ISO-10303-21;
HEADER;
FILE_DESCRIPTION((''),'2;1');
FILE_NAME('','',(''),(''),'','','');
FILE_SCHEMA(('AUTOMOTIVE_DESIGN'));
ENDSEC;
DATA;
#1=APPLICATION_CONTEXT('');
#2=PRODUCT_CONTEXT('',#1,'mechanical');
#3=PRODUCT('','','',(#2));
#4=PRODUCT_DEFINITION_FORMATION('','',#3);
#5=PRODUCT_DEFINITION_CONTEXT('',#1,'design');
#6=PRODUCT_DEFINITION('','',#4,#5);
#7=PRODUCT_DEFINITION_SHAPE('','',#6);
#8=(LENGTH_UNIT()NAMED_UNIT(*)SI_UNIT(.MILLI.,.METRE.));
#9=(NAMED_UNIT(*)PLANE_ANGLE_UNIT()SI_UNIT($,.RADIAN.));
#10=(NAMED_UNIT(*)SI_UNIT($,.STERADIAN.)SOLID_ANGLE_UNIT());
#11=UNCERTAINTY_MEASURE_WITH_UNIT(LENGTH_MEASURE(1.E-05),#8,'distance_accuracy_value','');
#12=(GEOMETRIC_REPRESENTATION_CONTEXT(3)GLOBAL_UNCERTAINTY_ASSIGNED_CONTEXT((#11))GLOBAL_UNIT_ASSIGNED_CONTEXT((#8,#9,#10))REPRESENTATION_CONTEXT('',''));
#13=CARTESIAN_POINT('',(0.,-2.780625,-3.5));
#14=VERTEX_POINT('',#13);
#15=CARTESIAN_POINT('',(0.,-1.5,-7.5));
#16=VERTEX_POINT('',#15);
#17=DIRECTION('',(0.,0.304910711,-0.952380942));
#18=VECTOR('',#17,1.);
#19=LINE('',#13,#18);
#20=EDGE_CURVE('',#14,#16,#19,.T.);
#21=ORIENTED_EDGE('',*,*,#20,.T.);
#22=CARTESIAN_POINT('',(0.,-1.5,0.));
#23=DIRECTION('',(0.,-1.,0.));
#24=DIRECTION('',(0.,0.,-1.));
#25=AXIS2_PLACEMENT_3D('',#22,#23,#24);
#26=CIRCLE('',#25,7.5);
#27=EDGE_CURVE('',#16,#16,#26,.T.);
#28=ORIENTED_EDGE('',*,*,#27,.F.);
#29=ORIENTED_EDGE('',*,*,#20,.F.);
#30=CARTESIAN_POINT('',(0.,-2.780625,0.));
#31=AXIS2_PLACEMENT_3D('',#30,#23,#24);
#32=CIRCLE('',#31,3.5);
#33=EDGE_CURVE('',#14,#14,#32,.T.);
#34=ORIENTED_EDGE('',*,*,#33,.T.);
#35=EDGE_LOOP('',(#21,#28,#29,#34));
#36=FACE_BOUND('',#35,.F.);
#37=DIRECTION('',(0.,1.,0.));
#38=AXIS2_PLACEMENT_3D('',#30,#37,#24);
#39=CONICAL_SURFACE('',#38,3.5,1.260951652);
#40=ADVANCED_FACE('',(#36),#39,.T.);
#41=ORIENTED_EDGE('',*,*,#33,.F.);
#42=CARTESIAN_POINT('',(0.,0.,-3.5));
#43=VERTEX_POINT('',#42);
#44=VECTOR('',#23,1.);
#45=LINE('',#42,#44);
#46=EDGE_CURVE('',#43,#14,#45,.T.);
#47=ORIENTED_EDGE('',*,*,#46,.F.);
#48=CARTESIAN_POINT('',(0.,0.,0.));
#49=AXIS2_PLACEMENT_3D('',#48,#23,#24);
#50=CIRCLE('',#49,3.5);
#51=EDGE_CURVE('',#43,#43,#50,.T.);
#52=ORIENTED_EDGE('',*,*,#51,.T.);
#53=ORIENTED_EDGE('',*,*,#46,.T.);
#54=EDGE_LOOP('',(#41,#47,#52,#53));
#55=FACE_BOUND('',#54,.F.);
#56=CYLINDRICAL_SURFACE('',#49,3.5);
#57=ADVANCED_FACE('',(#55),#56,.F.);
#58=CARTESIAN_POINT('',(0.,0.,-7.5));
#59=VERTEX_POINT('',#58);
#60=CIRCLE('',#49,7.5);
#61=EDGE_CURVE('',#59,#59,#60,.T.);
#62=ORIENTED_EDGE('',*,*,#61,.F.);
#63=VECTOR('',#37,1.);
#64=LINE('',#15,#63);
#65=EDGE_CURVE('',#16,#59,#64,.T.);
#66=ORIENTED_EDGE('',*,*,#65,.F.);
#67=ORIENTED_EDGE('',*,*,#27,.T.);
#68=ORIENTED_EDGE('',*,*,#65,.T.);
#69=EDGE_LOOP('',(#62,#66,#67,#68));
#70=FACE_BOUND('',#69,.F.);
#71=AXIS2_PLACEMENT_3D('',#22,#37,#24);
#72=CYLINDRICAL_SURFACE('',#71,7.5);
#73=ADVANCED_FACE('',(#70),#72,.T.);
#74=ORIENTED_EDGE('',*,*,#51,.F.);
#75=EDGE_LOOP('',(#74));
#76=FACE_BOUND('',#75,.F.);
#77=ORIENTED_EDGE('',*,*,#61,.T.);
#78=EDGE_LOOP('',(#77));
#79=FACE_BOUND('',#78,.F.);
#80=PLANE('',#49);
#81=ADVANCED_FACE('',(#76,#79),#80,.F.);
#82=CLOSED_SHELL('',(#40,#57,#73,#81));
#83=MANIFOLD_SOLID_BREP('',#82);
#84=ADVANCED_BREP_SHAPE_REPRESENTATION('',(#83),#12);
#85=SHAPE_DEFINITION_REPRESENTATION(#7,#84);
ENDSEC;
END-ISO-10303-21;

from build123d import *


with BuildPart() as f1:
    # F0 (on Right) → F1 (revolve)
    with BuildSketch(Plane.YZ):
        Polygon((0, -7.5), (0, -3.5), (-2.780625, -3.5), (-1.5, -7.5), align=None)
    revolve(axis=Axis((0, -1.326888, 0), (0, -1, 0)))


solid = f1.part
